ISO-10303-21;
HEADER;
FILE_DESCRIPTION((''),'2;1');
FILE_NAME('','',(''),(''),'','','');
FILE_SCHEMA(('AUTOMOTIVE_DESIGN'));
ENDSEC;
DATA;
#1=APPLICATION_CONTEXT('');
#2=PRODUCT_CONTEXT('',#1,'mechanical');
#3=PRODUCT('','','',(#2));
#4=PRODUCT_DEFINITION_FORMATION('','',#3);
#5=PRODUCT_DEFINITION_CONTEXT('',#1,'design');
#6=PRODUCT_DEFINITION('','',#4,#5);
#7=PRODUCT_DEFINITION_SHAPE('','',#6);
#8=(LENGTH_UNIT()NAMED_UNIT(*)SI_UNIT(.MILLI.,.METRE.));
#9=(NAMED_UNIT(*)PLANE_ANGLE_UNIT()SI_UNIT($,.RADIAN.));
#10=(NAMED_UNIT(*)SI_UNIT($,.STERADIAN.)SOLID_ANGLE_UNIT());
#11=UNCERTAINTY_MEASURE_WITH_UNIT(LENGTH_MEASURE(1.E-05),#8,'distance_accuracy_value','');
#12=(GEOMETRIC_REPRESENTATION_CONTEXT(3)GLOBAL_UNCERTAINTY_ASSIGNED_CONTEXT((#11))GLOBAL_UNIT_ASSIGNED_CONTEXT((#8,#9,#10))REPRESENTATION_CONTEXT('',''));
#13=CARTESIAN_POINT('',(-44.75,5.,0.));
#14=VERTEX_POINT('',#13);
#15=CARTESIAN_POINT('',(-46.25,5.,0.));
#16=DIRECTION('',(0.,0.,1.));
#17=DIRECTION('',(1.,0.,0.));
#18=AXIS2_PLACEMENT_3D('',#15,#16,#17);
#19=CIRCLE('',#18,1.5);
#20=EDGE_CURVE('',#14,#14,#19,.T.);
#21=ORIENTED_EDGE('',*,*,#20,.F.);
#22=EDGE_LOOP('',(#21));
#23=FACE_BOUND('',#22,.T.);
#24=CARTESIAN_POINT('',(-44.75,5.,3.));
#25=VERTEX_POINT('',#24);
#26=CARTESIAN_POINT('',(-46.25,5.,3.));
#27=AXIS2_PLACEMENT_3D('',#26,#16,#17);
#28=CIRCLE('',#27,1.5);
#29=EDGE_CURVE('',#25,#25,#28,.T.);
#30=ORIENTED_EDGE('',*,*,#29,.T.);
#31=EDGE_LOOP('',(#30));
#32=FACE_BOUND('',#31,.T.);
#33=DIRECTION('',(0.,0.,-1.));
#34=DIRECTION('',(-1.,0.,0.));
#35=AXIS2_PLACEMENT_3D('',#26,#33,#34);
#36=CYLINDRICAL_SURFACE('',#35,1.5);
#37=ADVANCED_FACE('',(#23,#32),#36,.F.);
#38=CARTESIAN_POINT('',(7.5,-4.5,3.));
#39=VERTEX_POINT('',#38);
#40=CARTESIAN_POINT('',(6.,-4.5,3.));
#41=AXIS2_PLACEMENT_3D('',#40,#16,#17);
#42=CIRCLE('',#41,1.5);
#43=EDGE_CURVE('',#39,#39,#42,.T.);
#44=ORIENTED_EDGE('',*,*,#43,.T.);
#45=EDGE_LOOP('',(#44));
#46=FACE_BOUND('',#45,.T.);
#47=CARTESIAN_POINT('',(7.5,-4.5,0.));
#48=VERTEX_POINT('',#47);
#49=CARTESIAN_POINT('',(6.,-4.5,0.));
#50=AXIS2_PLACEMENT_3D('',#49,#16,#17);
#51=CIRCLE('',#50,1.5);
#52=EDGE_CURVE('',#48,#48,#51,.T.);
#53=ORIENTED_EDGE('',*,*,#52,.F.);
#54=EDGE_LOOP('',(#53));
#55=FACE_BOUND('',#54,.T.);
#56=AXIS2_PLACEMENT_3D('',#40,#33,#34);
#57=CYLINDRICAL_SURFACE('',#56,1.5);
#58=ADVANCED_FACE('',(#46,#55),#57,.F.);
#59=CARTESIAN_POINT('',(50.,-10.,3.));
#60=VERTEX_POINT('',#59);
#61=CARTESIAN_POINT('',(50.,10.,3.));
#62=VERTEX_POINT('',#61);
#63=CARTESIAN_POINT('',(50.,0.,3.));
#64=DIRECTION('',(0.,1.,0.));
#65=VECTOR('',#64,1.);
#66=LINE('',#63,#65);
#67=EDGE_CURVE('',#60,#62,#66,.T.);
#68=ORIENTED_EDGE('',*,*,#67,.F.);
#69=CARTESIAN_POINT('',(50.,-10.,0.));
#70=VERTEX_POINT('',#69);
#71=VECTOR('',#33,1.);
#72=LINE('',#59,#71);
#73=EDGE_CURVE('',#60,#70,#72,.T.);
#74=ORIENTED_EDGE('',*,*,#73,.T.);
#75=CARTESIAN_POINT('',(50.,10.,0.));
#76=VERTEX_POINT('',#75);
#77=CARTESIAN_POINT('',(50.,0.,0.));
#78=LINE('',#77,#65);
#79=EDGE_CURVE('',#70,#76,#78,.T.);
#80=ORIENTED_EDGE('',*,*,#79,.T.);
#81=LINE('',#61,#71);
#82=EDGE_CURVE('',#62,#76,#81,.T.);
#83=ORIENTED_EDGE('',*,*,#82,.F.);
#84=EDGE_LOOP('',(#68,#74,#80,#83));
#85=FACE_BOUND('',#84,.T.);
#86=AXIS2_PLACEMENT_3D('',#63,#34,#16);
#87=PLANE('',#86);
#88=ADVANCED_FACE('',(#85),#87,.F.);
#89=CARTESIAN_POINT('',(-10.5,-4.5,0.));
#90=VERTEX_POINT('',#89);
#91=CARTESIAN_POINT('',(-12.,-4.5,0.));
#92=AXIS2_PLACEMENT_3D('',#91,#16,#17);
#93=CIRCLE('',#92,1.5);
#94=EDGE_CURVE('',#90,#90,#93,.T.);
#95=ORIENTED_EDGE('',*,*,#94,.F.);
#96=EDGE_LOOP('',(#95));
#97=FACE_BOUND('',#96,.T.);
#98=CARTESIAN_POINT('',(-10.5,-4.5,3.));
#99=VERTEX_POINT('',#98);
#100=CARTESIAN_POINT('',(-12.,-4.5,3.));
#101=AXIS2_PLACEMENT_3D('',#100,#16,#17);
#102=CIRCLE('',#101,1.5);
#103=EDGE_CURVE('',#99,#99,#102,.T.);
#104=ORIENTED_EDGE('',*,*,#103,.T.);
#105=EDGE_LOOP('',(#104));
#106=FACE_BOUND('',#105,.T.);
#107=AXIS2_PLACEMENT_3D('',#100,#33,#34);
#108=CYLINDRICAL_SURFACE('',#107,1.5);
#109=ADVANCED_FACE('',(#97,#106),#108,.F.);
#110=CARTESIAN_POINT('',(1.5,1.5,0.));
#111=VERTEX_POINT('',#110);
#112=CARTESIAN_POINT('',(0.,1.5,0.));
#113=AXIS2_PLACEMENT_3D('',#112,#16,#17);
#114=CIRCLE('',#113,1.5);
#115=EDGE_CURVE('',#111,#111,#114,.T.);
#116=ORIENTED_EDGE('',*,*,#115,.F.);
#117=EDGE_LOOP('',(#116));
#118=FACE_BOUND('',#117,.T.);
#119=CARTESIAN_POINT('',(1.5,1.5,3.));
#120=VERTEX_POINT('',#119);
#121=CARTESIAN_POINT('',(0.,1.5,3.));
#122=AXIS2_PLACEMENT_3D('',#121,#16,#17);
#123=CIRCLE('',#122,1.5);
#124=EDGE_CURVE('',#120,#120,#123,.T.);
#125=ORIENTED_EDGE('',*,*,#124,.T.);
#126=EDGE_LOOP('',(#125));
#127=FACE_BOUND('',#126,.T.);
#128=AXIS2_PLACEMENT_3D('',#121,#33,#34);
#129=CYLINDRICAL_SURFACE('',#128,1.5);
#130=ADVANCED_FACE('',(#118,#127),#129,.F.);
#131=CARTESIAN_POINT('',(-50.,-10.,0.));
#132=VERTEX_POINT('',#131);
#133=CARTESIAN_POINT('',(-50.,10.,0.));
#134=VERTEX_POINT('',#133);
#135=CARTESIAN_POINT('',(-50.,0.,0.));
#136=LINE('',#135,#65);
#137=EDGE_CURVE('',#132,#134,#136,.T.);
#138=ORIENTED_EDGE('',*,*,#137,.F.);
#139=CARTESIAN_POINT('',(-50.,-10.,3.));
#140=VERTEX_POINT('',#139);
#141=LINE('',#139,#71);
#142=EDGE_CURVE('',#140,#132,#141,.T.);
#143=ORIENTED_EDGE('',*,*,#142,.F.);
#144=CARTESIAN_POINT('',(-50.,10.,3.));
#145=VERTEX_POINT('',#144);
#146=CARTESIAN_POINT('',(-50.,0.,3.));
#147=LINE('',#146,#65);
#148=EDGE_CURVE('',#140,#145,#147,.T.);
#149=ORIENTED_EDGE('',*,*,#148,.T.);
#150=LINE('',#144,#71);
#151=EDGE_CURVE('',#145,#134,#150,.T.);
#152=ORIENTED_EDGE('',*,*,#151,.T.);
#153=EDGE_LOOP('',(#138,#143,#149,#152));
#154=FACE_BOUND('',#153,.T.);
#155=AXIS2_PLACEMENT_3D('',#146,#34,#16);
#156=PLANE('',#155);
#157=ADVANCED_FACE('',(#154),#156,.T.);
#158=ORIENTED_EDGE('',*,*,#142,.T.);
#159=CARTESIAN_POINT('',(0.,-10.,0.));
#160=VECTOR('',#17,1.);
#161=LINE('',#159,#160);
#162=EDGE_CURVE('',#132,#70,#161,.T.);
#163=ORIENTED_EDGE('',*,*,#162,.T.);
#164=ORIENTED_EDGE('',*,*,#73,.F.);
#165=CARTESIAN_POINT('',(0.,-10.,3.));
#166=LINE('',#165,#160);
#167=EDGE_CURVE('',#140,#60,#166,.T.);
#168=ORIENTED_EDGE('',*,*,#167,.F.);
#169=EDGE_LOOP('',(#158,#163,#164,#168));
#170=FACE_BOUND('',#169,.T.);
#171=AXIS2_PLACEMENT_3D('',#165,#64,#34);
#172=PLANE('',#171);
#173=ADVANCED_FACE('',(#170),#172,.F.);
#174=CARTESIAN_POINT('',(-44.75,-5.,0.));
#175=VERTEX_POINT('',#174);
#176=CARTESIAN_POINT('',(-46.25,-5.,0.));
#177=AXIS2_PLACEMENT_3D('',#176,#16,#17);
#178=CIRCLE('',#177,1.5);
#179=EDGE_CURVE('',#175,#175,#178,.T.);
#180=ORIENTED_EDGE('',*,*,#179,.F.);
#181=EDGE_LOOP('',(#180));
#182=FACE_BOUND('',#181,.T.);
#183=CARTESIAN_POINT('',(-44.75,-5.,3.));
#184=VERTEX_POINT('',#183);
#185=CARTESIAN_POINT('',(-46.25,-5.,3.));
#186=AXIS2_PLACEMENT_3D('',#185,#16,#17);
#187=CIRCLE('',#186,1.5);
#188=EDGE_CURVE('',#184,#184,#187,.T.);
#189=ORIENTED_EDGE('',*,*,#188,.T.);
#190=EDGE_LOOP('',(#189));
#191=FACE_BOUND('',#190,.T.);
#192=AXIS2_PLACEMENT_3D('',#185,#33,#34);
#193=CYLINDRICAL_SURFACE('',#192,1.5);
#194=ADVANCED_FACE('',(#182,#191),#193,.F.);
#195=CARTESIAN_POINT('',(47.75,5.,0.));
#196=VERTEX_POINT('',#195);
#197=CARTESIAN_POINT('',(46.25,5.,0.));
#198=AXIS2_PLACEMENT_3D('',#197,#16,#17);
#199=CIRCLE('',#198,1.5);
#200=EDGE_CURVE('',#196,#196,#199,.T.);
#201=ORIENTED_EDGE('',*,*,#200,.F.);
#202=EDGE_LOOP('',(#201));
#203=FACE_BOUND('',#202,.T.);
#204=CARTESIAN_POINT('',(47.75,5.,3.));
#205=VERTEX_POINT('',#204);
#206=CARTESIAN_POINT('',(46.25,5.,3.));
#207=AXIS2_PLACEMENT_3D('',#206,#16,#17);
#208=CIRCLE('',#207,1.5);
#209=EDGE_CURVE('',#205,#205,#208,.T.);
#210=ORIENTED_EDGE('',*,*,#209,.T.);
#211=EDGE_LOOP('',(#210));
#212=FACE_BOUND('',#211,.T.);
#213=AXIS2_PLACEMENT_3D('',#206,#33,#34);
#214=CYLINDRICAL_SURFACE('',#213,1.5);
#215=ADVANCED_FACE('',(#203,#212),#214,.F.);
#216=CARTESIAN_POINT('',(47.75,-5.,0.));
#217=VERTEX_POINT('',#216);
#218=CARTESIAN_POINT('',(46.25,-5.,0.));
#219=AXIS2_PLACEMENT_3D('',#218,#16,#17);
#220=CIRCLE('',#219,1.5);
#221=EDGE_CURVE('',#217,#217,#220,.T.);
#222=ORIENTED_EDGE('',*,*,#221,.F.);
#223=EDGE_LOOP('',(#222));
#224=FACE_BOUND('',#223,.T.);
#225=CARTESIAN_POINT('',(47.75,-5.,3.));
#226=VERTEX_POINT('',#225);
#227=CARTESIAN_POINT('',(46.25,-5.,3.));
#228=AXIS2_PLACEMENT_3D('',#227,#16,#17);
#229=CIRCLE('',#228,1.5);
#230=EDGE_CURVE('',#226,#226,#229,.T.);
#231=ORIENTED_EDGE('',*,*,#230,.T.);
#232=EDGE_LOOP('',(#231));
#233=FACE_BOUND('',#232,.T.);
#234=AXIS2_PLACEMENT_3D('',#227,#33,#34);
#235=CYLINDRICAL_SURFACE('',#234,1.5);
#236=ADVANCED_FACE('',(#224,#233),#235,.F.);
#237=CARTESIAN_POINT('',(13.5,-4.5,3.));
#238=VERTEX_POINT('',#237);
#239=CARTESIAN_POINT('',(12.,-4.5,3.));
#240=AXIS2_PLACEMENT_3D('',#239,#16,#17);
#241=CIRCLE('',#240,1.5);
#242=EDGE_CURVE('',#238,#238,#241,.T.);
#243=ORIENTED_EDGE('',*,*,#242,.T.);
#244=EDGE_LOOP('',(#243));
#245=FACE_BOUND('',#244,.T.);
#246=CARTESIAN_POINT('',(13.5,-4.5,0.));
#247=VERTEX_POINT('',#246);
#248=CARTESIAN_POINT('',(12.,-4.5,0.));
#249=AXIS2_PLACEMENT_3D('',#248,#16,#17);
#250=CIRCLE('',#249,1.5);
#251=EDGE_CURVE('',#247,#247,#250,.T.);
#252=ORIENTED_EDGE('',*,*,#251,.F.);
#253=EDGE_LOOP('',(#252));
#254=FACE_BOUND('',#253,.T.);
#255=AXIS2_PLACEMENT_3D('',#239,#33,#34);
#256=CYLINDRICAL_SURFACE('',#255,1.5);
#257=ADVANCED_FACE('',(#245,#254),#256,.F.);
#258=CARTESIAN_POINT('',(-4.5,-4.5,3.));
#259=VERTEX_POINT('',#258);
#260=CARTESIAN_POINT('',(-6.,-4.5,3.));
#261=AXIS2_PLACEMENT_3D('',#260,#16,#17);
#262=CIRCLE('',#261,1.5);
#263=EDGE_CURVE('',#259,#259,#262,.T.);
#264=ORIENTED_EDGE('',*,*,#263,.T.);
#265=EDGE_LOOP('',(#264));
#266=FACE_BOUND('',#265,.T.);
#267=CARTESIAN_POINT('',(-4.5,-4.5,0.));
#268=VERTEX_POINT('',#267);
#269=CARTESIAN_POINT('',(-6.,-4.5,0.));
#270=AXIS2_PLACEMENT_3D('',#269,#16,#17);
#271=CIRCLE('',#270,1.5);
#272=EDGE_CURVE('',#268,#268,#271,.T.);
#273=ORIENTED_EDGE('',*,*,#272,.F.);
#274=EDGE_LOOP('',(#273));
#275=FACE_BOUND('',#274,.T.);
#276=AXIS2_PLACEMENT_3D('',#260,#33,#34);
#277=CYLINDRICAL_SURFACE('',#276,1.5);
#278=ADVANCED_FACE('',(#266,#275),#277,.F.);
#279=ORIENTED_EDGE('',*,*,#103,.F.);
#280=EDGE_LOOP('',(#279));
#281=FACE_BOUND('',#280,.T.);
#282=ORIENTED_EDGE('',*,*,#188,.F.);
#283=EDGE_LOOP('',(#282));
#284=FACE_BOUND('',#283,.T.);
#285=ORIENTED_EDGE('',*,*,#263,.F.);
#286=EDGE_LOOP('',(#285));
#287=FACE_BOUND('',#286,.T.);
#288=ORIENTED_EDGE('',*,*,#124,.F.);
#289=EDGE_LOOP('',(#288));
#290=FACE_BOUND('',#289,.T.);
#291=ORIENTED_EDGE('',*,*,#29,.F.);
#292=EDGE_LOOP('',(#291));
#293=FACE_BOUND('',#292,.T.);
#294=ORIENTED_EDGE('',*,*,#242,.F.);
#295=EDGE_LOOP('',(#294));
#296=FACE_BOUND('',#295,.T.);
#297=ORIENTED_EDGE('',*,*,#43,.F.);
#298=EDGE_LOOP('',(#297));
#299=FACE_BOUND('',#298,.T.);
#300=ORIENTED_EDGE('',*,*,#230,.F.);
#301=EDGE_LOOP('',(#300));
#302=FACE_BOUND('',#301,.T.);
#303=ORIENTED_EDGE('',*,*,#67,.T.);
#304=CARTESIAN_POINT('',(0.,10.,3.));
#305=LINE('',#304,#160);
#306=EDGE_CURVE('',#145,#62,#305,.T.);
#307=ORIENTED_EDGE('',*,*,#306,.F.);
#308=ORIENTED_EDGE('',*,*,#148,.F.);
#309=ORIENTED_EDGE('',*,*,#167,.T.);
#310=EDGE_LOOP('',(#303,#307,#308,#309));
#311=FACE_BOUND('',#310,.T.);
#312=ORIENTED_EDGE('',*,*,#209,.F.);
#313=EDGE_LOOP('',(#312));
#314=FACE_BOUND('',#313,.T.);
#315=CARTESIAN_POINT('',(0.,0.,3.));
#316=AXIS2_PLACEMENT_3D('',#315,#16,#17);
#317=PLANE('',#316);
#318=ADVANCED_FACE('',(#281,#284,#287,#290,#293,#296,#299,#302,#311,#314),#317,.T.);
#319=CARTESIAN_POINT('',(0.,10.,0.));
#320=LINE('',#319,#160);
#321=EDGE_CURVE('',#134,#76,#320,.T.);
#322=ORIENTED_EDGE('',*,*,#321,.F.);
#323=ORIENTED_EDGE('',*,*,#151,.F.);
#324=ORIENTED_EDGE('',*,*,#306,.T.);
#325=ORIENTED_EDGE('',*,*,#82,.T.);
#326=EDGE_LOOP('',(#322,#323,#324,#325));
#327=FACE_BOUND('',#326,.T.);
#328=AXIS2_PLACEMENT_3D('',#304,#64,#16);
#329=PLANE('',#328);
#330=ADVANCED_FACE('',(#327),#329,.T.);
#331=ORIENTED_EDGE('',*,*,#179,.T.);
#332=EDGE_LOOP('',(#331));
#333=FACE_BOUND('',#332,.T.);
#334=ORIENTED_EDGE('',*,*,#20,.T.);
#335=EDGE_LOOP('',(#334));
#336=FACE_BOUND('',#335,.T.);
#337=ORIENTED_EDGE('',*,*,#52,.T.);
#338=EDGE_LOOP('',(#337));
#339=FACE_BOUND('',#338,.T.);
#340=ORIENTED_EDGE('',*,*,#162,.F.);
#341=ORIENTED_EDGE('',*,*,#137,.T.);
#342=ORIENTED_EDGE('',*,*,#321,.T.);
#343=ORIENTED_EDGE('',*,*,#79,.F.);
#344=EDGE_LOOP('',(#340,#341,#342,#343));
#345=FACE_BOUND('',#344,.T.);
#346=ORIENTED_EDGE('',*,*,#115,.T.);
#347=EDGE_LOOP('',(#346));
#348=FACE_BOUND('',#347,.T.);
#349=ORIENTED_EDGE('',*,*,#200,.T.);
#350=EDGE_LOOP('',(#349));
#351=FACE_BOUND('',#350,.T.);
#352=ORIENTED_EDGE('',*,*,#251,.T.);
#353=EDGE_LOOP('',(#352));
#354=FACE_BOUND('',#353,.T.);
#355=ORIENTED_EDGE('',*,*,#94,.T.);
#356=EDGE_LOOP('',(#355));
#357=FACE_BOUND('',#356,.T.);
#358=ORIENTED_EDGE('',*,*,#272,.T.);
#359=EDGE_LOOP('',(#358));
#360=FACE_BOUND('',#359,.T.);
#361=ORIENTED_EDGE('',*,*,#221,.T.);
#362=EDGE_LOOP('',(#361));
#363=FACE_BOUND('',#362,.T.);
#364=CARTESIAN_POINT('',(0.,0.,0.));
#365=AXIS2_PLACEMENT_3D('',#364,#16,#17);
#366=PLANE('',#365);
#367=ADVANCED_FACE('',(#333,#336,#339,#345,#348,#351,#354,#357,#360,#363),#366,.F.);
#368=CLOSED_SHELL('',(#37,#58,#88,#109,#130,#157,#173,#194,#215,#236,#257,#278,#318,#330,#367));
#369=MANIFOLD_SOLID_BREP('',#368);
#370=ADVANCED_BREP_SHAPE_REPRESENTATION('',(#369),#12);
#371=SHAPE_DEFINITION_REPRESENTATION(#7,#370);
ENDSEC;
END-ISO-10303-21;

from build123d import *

# Parameters (mm, degrees)
SKETCH_1_R      = 1.5
EXTRUDE_1_DEPTH = 3


with BuildPart() as part:
    # 草圖1 → 填料-伸長1 (new body)
    with BuildSketch(Plane.XY):
        Polygon((50, 10), (0, 10), (-50, 10), (-50, -10), (0, -10), (50, -10), align=None)
        with Locations((-46.25, -5)):
            Circle(SKETCH_1_R, mode=Mode.SUBTRACT)
        with Locations((-12, -4.5)):
            Circle(SKETCH_1_R, mode=Mode.SUBTRACT)
        with BuildLine():
            ThreePointArc((-7.5, -4.5), (-6, -3), (-4.5, -4.5))
            ThreePointArc((-4.5, -4.5), (-6, -6), (-7.5, -4.5))
        make_face(mode=Mode.SUBTRACT)
        with BuildLine():
            ThreePointArc((7.5, -4.5), (6, -6), (4.5, -4.5))
            ThreePointArc((4.5, -4.5), (6, -3), (7.5, -4.5))
        make_face(mode=Mode.SUBTRACT)
        with BuildLine():
            ThreePointArc((13.5, -4.5), (12, -6), (10.5, -4.5))
            ThreePointArc((10.5, -4.5), (12, -3), (13.5, -4.5))
        make_face(mode=Mode.SUBTRACT)
        with Locations((46.25, -5)):
            Circle(SKETCH_1_R, mode=Mode.SUBTRACT)
        with Locations((-46.25, 5)):
            Circle(SKETCH_1_R, mode=Mode.SUBTRACT)
        with Locations((0, 1.5)):
            Circle(SKETCH_1_R, mode=Mode.SUBTRACT)
        with Locations((46.25, 5)):
            Circle(SKETCH_1_R, mode=Mode.SUBTRACT)
    extrude(amount=EXTRUDE_1_DEPTH)


solid = part.part
